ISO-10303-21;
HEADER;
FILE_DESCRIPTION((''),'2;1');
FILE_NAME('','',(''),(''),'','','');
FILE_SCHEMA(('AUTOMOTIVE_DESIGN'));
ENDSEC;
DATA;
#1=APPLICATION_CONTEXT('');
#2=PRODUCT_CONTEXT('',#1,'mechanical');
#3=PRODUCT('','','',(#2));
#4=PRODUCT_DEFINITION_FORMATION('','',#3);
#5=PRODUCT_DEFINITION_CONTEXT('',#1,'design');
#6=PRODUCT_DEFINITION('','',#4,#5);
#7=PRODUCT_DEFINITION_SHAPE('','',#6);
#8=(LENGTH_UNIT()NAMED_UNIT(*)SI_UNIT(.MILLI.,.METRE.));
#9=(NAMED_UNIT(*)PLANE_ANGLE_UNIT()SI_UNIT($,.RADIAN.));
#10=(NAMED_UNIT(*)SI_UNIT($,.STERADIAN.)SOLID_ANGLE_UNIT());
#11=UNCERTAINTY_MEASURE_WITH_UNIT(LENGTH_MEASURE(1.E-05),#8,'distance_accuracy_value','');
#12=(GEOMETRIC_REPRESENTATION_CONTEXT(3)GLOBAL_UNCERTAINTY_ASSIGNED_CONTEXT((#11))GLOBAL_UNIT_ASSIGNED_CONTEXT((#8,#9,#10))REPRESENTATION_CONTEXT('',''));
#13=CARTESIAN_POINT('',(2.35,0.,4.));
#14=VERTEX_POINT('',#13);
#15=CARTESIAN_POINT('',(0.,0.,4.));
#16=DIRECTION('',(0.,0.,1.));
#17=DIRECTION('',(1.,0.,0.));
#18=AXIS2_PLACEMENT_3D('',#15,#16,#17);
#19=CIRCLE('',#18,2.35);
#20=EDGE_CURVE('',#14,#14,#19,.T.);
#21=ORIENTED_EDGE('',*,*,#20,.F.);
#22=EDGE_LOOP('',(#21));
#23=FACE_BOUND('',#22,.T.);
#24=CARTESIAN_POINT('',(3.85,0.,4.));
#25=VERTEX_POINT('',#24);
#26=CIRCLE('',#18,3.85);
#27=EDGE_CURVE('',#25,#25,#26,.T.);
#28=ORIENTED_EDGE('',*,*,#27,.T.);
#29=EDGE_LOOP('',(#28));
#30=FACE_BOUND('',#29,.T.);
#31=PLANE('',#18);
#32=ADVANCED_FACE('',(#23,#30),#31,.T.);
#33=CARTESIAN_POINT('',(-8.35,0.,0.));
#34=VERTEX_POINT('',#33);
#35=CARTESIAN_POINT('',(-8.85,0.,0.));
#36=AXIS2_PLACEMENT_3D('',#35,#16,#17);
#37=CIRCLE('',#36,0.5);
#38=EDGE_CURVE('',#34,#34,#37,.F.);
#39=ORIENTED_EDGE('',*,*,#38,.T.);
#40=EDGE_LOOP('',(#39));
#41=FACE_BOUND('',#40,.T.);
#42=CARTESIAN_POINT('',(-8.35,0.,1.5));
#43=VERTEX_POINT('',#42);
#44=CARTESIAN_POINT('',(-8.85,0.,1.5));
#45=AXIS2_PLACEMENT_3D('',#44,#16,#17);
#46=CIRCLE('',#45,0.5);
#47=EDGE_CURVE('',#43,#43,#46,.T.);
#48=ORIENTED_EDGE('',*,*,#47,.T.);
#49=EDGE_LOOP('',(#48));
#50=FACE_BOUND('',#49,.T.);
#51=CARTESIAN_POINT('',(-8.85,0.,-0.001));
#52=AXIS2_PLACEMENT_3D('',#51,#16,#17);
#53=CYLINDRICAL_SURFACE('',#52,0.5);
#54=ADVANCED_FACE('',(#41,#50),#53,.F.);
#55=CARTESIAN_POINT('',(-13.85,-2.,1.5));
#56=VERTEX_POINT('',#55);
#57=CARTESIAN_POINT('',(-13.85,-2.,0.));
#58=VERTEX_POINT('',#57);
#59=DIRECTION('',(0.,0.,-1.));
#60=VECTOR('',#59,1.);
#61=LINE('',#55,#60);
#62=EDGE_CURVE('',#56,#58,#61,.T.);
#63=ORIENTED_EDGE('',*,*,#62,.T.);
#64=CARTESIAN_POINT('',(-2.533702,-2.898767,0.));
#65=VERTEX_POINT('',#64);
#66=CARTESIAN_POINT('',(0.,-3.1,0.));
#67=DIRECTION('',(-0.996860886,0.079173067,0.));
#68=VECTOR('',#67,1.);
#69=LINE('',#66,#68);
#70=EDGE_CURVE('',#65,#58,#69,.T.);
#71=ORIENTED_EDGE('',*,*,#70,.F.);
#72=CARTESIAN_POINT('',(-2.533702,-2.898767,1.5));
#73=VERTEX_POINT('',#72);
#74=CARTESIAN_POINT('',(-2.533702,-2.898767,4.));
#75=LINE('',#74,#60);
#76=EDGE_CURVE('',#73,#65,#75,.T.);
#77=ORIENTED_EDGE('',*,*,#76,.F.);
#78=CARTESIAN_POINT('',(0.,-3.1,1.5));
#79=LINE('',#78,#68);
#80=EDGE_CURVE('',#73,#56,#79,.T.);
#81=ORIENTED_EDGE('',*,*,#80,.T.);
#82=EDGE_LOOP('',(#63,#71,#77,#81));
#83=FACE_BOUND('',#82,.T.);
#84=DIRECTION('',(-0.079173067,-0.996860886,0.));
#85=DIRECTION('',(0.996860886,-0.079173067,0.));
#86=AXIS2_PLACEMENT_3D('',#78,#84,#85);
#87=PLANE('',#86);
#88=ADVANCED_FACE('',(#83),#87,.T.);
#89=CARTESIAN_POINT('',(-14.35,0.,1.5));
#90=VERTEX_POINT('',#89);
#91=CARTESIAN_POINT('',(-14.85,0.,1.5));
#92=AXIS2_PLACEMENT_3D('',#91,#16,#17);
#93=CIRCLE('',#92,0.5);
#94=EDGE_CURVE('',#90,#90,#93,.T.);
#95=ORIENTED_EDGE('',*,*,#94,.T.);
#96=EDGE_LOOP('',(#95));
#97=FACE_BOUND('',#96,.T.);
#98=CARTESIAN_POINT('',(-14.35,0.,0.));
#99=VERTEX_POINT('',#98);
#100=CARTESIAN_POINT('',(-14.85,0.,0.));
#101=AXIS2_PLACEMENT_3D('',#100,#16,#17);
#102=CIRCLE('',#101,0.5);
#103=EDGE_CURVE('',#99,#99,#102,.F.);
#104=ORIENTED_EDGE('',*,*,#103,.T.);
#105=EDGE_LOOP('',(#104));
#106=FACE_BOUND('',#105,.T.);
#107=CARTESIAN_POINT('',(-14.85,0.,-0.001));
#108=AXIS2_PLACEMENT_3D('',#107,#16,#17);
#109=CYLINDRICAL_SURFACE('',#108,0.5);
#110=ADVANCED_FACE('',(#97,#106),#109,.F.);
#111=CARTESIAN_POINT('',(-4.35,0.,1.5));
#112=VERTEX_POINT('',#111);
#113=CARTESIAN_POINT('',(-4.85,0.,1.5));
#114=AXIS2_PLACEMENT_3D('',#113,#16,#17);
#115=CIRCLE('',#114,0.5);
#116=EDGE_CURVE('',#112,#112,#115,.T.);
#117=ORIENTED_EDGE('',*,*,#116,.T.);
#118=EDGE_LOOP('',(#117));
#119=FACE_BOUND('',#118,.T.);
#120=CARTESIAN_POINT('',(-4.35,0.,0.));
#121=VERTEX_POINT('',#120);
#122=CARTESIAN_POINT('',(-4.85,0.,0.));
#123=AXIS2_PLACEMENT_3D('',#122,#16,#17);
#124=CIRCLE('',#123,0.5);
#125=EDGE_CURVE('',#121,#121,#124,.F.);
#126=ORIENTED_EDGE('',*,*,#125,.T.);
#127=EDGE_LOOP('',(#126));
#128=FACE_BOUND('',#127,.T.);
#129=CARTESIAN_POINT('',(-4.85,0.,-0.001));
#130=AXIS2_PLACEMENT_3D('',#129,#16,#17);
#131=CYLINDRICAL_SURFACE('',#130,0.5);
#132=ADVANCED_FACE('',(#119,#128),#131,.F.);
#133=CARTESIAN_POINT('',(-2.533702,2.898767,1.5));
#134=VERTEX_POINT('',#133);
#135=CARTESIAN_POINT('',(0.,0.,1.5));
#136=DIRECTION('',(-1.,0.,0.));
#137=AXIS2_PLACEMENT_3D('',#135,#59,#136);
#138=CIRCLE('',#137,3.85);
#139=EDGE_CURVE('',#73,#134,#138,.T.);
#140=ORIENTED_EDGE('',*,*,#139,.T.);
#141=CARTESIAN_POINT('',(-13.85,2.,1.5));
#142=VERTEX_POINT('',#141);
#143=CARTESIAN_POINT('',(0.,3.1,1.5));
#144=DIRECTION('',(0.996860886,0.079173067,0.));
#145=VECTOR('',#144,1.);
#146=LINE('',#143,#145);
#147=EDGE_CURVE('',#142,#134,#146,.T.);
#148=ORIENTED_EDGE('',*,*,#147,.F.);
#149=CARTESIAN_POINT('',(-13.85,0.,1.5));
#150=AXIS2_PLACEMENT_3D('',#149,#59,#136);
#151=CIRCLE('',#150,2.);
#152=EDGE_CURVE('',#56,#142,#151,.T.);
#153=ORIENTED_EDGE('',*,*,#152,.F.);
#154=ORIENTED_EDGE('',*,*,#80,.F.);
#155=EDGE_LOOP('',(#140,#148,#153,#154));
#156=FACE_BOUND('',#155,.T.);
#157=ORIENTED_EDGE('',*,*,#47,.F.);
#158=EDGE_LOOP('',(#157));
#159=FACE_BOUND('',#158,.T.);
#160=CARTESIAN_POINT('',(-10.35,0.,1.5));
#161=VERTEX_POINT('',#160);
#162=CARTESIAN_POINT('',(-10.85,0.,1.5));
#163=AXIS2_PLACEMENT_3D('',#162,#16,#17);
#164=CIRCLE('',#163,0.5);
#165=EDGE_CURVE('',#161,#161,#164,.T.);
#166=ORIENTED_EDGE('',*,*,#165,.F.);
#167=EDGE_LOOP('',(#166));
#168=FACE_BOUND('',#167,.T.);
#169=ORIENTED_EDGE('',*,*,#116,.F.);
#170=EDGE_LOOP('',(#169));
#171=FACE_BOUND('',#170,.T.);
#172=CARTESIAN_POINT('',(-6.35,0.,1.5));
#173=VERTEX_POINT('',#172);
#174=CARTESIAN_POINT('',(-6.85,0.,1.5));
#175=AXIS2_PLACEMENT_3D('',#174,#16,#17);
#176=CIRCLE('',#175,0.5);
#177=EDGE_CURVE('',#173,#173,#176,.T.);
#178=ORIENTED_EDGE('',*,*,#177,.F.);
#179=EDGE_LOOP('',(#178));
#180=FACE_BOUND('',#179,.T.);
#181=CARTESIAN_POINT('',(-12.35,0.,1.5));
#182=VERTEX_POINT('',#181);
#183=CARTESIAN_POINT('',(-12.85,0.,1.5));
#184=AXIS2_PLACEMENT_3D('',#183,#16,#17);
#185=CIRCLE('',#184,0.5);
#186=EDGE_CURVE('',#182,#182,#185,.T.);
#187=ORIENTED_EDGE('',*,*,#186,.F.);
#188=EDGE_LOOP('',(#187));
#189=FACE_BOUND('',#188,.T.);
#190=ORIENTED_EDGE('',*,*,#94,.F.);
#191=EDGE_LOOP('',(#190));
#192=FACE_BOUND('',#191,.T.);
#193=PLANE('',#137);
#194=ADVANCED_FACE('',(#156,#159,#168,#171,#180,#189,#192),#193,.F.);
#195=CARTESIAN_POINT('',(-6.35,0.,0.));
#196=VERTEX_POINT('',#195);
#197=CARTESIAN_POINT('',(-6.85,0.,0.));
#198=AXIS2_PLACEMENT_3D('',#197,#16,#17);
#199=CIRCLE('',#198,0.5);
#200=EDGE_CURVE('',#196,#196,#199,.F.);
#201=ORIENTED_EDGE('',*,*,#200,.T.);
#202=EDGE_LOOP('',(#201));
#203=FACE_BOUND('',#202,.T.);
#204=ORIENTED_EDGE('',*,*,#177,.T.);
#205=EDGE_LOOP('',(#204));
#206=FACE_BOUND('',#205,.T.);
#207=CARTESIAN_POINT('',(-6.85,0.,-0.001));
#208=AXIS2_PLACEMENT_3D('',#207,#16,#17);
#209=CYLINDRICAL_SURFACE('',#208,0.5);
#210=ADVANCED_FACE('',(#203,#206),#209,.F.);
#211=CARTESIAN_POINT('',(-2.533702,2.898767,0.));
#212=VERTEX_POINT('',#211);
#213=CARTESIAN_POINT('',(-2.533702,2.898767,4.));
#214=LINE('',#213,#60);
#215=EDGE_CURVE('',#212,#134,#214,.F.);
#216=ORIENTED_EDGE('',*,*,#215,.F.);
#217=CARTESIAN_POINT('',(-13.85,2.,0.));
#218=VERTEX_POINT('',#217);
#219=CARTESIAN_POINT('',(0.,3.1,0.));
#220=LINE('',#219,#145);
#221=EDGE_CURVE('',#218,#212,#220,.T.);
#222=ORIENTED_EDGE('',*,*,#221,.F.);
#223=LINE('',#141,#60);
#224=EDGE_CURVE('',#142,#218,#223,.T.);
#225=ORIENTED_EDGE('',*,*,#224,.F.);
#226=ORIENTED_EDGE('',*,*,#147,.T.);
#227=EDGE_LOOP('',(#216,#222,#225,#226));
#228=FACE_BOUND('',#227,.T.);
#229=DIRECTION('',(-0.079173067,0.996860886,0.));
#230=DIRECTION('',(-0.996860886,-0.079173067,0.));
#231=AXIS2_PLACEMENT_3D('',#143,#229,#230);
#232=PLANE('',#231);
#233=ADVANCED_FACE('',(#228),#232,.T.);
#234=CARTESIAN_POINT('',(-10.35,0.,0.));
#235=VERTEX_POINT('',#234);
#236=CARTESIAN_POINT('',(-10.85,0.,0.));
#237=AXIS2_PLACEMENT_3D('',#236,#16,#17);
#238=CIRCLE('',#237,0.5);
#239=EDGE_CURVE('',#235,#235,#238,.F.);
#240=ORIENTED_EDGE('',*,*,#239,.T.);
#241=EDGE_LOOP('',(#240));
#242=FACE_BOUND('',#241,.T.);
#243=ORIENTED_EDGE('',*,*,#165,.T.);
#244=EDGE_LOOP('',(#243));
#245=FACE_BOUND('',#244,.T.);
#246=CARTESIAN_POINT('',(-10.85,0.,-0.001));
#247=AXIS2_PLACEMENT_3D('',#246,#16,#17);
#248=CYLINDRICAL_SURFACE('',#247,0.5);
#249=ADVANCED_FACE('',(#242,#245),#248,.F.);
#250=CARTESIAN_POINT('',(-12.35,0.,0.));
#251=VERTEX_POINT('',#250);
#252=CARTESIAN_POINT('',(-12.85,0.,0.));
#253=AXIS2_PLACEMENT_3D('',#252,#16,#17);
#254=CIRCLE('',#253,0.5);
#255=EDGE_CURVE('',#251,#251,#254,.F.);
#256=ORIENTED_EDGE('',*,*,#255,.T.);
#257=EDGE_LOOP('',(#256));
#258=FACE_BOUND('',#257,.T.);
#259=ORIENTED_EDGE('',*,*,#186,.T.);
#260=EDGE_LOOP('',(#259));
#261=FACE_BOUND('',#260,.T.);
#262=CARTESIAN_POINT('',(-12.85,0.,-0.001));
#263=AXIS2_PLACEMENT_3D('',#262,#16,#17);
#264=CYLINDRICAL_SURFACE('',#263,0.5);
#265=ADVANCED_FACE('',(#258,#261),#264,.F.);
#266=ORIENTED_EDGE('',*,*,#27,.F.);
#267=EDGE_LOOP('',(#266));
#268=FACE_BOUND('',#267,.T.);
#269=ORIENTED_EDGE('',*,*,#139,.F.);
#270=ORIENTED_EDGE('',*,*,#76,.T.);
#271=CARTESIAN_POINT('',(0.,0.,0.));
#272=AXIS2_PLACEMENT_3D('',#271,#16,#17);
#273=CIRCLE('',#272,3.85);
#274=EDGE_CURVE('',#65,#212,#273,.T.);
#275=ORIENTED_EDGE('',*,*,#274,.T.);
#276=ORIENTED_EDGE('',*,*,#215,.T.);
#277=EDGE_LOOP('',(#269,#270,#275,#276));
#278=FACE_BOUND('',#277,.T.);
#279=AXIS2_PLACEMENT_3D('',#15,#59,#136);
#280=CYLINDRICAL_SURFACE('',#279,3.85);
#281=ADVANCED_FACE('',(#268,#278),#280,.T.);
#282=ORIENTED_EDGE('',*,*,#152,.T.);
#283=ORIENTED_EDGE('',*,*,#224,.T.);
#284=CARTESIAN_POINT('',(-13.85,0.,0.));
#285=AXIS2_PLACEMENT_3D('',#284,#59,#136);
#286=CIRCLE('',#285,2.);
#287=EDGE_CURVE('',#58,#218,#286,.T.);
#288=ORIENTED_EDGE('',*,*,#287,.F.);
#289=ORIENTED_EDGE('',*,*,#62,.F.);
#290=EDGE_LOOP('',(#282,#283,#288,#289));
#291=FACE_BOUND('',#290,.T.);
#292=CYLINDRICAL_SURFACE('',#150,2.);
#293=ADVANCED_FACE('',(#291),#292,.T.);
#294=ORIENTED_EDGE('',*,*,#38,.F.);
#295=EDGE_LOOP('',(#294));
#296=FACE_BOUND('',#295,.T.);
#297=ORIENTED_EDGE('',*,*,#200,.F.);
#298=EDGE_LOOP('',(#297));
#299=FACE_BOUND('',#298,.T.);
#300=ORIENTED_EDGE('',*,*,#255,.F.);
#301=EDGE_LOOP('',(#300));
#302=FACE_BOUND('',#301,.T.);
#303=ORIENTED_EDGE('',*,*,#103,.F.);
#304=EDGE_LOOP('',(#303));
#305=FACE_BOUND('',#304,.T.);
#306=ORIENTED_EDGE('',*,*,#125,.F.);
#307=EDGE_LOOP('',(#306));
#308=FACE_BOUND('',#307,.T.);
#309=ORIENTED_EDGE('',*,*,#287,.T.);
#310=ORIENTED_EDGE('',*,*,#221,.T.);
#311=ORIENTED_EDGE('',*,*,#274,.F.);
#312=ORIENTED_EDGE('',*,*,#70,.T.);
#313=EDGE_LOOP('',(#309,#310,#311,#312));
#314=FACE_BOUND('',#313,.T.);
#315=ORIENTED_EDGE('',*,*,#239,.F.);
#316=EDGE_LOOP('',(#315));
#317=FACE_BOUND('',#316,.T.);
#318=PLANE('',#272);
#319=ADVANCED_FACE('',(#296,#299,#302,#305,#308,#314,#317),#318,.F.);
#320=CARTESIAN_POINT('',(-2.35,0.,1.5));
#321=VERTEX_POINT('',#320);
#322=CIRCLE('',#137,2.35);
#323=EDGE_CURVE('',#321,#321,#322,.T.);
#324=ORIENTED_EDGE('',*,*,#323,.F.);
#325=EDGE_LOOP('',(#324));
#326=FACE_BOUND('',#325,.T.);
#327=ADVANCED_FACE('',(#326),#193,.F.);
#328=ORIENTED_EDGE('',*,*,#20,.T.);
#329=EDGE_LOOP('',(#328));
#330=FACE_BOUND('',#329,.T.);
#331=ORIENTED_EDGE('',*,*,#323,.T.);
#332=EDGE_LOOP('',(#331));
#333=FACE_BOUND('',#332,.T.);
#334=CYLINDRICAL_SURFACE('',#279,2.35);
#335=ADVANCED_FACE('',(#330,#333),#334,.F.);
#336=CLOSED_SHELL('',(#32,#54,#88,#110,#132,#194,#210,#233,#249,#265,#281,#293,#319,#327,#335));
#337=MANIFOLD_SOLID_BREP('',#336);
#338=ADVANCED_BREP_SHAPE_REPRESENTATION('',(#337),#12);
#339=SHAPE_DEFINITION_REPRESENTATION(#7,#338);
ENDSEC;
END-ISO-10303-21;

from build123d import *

# Parameters (mm, degrees)
SCHIZZO1_R                   = 3.85
SCHIZZO1_R_2                 = 2.35
ESTRUSIONE_ESTRUSIONE1_DEPTH = 4
ESTRUSIONE_ESTRUSIONE2_DEPTH = 1.5
TAGLIO_ESTRUSIONE1_REACH     = 18.501
SCHIZZO4_R                   = 0.5


with BuildPart() as part:
    # Schizzo1 → Estrusione-Estrusione1 (new body)
    with BuildSketch(Plane.XY):
        Circle(SCHIZZO1_R)
        Circle(SCHIZZO1_R_2, mode=Mode.SUBTRACT)
    extrude(amount=ESTRUSIONE_ESTRUSIONE1_DEPTH)

    # Schizzo3 → Estrusione-Estrusione2 (add)
    with BuildSketch(Plane(origin=(0, 0, 0), x_dir=(-1, 0, 0), z_dir=(0, 0, -1))):
        with BuildLine():
            Line((0, 3.1), (13.85, 2))
            ThreePointArc((13.85, 2), (15.85, 0), (13.85, -2))
            Line((13.85, -2), (0, -3.1))
            ThreePointArc((0, -3.1), (-3.1, 0), (0, 3.1))
        make_face()
    extrude(amount=-ESTRUSIONE_ESTRUSIONE2_DEPTH)

    # Schizzo4 → Taglio-Estrusione1 (cut, up to next)
    with BuildSketch(Plane.XY.offset(1.5), mode=Mode.PRIVATE) as taglio_estrusione1_sk1:
        with Locations((-4.85, 0)):
            Circle(SCHIZZO4_R)
    taglio_estrusione1_tool1 = extrude(taglio_estrusione1_sk1.sketch, amount=-TAGLIO_ESTRUSIONE1_REACH, mode=Mode.PRIVATE) & part.part
    # Schizzo4 → Taglio-Estrusione1 (cut, up to next)
    with BuildSketch(Plane.XY.offset(1.5), mode=Mode.PRIVATE) as taglio_estrusione1_sk2:
        with Locations((-6.85, 0)):
            Circle(SCHIZZO4_R)
    taglio_estrusione1_tool2 = extrude(taglio_estrusione1_sk2.sketch, amount=-TAGLIO_ESTRUSIONE1_REACH, mode=Mode.PRIVATE) & part.part
    # Schizzo4 → Taglio-Estrusione1 (cut, up to next)
    with BuildSketch(Plane.XY.offset(1.5), mode=Mode.PRIVATE) as taglio_estrusione1_sk3:
        with Locations((-8.85, 0)):
            Circle(SCHIZZO4_R)
    taglio_estrusione1_tool3 = extrude(taglio_estrusione1_sk3.sketch, amount=-TAGLIO_ESTRUSIONE1_REACH, mode=Mode.PRIVATE) & part.part
    # Schizzo4 → Taglio-Estrusione1 (cut, up to next)
    with BuildSketch(Plane.XY.offset(1.5), mode=Mode.PRIVATE) as taglio_estrusione1_sk4:
        with Locations((-10.85, 0)):
            Circle(SCHIZZO4_R)
    taglio_estrusione1_tool4 = extrude(taglio_estrusione1_sk4.sketch, amount=-TAGLIO_ESTRUSIONE1_REACH, mode=Mode.PRIVATE) & part.part
    # Schizzo4 → Taglio-Estrusione1 (cut, up to next)
    with BuildSketch(Plane.XY.offset(1.5), mode=Mode.PRIVATE) as taglio_estrusione1_sk5:
        with Locations((-12.85, 0)):
            Circle(SCHIZZO4_R)
    taglio_estrusione1_tool5 = extrude(taglio_estrusione1_sk5.sketch, amount=-TAGLIO_ESTRUSIONE1_REACH, mode=Mode.PRIVATE) & part.part
    # Schizzo4 → Taglio-Estrusione1 (cut, up to next)
    with BuildSketch(Plane.XY.offset(1.5), mode=Mode.PRIVATE) as taglio_estrusione1_sk6:
        with Locations((-14.85, 0)):
            Circle(SCHIZZO4_R)
    taglio_estrusione1_tool6 = extrude(taglio_estrusione1_sk6.sketch, amount=-TAGLIO_ESTRUSIONE1_REACH, mode=Mode.PRIVATE) & part.part
    add(taglio_estrusione1_tool1.solids().sort_by_distance((-4.85, 0, 1.5))[0], mode=Mode.SUBTRACT)
    add(taglio_estrusione1_tool2.solids().sort_by_distance((-6.85, 0, 1.5))[0], mode=Mode.SUBTRACT)
    add(taglio_estrusione1_tool3.solids().sort_by_distance((-8.85, 0, 1.5))[0], mode=Mode.SUBTRACT)
    add(taglio_estrusione1_tool4.solids().sort_by_distance((-10.85, 0, 1.5))[0], mode=Mode.SUBTRACT)
    add(taglio_estrusione1_tool5.solids().sort_by_distance((-12.85, 0, 1.5))[0], mode=Mode.SUBTRACT)
    add(taglio_estrusione1_tool6.solids().sort_by_distance((-14.85, 0, 1.5))[0], mode=Mode.SUBTRACT)


solid = part.part
